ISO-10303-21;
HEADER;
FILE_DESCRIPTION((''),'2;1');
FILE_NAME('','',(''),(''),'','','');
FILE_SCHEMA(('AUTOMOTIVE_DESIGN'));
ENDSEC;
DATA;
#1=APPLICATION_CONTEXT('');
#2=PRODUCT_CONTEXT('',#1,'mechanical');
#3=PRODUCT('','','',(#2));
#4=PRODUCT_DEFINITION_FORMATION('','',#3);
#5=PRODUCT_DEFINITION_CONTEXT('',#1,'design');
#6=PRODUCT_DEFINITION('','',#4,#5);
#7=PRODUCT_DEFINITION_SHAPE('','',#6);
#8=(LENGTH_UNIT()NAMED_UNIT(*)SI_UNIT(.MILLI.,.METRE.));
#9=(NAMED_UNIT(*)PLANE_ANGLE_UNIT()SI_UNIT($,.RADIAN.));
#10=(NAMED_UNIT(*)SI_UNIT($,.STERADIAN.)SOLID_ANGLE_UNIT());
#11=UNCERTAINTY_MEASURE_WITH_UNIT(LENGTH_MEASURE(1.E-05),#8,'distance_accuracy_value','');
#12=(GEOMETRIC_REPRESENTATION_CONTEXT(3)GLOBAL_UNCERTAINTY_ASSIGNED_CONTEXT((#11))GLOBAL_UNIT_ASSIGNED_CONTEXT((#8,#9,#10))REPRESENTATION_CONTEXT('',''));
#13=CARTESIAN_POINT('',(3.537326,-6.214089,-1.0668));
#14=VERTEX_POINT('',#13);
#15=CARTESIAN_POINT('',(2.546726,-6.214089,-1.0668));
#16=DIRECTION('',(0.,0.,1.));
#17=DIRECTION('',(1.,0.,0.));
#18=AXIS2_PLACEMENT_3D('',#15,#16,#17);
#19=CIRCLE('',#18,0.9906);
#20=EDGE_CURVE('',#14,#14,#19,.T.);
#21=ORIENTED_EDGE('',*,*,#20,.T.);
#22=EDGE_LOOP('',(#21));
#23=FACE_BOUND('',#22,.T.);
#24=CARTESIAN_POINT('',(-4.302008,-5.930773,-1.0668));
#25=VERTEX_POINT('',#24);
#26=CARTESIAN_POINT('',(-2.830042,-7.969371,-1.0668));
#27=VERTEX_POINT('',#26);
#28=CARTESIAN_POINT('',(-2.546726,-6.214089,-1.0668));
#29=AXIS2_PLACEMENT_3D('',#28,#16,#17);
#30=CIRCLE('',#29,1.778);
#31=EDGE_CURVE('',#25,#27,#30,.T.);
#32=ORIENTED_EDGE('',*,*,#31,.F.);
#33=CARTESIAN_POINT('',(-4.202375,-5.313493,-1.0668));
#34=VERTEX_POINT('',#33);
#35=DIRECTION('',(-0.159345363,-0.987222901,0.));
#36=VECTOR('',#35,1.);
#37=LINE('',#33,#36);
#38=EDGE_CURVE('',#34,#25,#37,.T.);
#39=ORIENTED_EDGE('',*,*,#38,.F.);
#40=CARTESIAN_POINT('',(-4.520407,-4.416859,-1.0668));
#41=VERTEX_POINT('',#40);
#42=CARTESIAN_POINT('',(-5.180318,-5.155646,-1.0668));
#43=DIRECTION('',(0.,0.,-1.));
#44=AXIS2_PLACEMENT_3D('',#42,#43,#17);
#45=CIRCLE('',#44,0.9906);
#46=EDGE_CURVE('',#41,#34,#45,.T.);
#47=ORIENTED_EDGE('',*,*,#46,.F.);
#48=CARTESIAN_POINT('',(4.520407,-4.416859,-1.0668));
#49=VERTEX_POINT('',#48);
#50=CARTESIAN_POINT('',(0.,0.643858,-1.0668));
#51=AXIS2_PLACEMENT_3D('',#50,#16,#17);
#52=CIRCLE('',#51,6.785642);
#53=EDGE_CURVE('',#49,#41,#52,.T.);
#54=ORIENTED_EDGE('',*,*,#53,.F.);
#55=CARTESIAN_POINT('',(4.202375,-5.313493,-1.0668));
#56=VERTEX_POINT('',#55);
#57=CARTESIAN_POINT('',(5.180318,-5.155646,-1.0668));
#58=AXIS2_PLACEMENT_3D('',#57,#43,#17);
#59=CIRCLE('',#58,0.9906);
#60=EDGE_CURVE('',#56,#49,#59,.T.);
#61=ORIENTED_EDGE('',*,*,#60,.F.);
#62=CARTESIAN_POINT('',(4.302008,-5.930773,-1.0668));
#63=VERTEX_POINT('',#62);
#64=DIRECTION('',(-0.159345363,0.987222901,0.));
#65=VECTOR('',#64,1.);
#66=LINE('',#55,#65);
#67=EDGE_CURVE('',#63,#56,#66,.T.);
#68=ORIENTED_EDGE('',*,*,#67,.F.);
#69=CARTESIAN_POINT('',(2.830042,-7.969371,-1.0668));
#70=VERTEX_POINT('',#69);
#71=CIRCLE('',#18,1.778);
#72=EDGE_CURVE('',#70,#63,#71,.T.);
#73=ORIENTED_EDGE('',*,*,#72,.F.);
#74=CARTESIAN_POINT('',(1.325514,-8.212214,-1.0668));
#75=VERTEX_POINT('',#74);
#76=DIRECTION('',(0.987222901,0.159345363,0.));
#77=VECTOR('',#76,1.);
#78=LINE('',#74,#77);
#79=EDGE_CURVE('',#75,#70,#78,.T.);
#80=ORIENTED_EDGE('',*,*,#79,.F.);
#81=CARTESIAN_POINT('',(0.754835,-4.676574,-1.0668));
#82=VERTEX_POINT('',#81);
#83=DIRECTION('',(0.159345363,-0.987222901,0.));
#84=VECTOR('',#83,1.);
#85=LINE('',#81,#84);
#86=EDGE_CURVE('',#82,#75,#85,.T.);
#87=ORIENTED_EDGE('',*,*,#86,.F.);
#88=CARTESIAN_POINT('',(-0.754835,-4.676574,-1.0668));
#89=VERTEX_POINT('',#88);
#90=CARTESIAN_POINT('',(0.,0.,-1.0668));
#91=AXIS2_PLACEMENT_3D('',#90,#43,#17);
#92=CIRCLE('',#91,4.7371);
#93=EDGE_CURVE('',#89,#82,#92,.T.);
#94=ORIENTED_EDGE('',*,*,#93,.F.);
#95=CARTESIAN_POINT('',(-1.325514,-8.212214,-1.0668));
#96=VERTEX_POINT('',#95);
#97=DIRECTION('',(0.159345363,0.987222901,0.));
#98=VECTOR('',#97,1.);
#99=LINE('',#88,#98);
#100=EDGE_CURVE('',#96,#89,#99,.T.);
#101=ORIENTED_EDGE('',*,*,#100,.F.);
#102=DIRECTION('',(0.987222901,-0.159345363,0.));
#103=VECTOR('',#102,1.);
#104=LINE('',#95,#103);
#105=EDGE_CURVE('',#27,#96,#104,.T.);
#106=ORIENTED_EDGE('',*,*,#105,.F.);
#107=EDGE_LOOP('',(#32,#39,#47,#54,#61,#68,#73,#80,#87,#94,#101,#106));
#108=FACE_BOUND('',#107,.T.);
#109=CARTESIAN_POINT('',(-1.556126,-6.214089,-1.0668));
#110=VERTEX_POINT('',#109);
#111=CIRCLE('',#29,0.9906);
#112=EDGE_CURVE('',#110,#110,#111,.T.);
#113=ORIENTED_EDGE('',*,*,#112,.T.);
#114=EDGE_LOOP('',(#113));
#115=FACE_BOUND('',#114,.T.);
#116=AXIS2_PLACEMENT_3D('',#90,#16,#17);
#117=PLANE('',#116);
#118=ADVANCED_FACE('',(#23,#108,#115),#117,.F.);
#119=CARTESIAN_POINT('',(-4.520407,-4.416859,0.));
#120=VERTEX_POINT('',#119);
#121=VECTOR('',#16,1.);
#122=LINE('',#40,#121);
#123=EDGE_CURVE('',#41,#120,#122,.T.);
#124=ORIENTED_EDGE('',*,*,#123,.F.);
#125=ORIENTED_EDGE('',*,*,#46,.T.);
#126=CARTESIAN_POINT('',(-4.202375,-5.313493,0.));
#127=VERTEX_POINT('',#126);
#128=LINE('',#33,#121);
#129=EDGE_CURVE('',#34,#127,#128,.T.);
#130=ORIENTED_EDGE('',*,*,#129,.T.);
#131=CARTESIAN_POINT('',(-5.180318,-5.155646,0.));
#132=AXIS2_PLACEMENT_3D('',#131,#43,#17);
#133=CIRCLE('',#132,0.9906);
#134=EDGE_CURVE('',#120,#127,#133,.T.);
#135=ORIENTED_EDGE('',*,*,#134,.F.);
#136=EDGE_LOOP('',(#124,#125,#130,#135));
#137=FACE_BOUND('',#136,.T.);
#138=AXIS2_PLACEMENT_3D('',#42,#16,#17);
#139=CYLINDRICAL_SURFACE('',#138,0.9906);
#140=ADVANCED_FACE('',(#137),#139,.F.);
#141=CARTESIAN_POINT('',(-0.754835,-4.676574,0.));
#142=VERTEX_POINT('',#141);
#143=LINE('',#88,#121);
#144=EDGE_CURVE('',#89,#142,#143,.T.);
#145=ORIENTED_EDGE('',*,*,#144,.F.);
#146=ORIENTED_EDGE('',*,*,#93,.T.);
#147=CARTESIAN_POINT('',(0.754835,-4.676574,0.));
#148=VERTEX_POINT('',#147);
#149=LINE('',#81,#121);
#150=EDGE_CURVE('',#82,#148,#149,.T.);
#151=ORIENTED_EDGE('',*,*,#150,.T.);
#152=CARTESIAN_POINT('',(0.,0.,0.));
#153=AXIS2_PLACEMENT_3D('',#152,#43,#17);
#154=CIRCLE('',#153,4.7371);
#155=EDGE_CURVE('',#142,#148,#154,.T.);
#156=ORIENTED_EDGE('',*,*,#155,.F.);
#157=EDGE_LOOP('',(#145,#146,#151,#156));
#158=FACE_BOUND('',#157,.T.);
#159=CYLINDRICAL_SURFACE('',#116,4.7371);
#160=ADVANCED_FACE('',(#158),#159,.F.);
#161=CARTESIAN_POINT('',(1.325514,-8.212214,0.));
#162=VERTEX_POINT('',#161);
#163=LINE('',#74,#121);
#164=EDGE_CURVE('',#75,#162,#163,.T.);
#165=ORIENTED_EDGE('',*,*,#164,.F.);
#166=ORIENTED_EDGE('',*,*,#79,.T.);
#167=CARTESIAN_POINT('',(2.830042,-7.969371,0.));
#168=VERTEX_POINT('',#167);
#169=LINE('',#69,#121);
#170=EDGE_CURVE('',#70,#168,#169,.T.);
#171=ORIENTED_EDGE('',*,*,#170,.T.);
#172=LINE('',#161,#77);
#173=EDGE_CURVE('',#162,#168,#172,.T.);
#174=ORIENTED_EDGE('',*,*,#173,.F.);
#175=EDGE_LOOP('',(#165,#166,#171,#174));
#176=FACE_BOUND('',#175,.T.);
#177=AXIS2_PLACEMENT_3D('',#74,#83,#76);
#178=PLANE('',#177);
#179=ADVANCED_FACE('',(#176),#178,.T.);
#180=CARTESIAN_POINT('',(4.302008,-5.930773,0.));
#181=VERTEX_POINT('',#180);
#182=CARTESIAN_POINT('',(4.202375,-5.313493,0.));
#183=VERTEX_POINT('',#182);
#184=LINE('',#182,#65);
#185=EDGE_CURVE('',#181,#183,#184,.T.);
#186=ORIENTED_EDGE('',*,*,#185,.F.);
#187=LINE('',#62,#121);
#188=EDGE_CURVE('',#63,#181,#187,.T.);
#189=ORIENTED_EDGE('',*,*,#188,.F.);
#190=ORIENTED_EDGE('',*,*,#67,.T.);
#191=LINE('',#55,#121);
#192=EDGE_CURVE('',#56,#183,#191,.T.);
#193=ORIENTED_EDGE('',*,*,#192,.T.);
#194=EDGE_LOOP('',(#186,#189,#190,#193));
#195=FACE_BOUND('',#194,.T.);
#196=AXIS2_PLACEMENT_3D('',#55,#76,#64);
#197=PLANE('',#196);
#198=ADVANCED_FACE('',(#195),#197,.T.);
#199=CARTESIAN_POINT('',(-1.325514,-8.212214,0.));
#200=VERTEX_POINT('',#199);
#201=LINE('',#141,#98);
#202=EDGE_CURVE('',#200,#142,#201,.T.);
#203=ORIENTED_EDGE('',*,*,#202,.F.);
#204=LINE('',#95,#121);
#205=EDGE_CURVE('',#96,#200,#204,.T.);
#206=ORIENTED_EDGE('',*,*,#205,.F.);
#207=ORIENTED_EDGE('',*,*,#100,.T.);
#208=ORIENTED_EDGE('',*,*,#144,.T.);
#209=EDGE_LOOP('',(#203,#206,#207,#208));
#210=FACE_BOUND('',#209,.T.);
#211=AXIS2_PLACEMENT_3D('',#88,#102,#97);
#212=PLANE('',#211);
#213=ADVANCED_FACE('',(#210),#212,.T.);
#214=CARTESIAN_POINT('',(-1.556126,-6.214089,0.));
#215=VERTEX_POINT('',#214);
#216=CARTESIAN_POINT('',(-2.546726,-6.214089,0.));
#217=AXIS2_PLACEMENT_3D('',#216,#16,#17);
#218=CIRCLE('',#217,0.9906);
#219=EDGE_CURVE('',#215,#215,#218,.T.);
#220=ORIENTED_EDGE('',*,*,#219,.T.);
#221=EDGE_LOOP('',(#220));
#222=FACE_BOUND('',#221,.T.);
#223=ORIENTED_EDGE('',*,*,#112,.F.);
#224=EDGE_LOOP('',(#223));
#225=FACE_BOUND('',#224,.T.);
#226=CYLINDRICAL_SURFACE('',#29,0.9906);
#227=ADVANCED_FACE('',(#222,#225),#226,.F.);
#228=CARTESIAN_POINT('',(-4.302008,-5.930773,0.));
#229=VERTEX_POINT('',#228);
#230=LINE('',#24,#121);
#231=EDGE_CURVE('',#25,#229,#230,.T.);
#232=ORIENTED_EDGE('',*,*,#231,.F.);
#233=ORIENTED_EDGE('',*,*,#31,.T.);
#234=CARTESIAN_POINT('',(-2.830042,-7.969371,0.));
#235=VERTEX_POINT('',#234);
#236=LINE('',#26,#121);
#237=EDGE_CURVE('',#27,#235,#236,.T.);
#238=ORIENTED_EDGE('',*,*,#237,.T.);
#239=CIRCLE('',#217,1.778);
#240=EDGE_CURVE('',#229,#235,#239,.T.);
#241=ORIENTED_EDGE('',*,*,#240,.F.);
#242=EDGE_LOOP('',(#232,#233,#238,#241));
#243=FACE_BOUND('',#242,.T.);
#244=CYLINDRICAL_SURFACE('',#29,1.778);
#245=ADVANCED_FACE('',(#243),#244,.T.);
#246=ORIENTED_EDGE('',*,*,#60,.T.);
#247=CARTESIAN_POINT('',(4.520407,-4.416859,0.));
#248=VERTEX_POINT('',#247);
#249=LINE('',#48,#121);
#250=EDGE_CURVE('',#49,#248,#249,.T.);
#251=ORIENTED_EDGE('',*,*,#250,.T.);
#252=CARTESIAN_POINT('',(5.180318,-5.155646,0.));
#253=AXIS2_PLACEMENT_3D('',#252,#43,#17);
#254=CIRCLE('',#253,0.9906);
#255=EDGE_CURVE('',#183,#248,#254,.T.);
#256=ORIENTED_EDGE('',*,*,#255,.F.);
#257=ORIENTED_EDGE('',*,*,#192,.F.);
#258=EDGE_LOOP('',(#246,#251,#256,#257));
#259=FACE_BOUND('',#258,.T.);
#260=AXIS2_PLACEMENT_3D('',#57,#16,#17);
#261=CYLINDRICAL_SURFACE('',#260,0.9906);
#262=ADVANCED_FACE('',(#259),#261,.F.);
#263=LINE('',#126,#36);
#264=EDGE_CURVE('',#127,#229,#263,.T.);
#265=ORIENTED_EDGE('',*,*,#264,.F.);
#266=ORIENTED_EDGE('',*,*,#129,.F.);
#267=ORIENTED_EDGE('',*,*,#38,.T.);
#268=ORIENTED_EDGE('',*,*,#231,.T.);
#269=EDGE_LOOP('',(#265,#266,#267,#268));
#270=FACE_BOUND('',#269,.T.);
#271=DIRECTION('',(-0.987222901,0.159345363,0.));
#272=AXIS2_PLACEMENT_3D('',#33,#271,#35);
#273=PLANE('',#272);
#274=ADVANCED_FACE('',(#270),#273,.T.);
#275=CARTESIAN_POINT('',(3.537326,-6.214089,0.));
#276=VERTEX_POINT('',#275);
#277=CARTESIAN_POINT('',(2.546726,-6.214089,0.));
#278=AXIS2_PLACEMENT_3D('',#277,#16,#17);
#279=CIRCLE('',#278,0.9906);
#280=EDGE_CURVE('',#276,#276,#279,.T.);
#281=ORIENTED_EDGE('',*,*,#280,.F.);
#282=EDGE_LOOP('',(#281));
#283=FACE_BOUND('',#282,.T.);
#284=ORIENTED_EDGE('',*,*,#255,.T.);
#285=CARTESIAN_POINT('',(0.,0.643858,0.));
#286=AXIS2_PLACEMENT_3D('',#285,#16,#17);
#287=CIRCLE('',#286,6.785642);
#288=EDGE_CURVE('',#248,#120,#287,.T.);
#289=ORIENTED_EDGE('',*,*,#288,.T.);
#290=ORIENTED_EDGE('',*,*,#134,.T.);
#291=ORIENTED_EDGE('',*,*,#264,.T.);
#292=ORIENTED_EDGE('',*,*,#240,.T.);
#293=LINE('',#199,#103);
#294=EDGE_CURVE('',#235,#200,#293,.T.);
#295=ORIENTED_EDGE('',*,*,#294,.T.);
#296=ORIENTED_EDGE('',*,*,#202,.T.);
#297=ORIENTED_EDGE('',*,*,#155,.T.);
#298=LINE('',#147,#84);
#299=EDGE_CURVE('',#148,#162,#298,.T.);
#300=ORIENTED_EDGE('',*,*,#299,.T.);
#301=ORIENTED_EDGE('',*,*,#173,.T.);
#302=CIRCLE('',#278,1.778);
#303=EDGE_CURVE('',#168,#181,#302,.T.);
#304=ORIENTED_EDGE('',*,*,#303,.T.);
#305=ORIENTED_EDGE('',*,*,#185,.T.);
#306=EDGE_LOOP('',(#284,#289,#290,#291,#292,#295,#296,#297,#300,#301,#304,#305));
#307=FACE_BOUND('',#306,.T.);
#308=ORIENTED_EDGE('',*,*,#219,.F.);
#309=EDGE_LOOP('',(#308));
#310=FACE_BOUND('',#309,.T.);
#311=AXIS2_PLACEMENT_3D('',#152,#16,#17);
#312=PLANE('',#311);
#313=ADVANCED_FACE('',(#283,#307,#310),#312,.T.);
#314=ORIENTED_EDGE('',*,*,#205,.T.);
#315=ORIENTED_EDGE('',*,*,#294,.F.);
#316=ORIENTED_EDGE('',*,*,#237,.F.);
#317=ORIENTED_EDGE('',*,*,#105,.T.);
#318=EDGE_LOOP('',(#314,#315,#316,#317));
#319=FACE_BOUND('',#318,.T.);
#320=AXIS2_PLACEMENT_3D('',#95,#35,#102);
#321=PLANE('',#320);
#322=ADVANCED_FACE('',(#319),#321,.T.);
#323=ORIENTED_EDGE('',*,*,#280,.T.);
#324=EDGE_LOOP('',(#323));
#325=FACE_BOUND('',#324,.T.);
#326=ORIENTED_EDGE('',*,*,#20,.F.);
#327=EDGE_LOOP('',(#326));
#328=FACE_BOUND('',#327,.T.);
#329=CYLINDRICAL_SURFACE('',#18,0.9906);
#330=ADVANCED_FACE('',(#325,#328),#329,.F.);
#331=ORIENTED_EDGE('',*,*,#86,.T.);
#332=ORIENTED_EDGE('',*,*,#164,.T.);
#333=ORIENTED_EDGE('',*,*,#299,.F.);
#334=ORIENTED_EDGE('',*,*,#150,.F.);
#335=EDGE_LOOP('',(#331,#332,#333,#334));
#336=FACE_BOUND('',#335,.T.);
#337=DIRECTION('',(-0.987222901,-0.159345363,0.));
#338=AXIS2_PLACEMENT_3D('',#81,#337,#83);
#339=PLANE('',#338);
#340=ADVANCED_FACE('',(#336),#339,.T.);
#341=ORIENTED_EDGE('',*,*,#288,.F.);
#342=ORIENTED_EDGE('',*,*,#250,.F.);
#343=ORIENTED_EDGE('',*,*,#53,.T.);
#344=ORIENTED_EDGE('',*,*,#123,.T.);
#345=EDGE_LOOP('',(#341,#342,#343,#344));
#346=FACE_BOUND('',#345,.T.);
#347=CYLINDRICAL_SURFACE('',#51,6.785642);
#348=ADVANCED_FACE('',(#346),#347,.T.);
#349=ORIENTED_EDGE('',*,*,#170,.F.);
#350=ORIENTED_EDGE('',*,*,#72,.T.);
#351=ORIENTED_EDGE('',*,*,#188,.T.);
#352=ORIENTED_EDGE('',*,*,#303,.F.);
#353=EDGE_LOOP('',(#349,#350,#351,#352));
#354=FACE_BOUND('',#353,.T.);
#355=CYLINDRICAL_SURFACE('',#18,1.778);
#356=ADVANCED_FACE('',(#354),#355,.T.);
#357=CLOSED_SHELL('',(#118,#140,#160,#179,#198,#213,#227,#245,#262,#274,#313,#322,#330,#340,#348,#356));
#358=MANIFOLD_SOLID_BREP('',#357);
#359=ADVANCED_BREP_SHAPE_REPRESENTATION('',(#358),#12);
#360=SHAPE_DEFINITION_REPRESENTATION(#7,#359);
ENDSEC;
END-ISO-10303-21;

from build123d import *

# Parameters (mm, degrees)
BODY_DEPTH  = 1.0668
HOLSKE_R    = 0.9906
HOLES_DEPTH = 2.0668


with BuildPart() as part:
    # BodySke → Body (new body)
    with BuildSketch(Plane.XY):
        with BuildLine():
            Line((0.754834919, -4.676573602), (1.325514402, -8.212213698))
            Line((1.325514402, -8.212213698), (2.830042103, -7.969371365))
            ThreePointArc((2.830042103, -7.969371365), (3.988232781, -7.254926373), (4.302008364, -5.930772992))
            Line((4.302008364, -5.930772992), (4.202374684, -5.313493335))
            ThreePointArc((4.202374684, -5.313493335), (4.246706733, -4.824497903), (4.520407312, -4.416858533))
            ThreePointArc((4.520407312, -4.416858533), (0, 7.4295), (-4.520407312, -4.416858533))
            ThreePointArc((-4.520407312, -4.416858533), (-4.246706733, -4.824497903), (-4.202374684, -5.313493335))
            Line((-4.202374684, -5.313493335), (-4.302008364, -5.930772992))
            ThreePointArc((-4.302008364, -5.930772992), (-3.988232781, -7.254926373), (-2.830042103, -7.969371365))
            Line((-2.830042103, -7.969371365), (-1.325514402, -8.212213698))
            Line((-1.325514402, -8.212213698), (-0.754834919, -4.676573602))
            ThreePointArc((-0.754834919, -4.676573602), (0, 4.7371), (0.754834919, -4.676573602))
        make_face()
    extrude(amount=-BODY_DEPTH)

    # HolSke → Holes (cut, through all)
    with BuildSketch(Plane.XY):
        with Locations((2.546726047, -6.214089047)):
            Circle(HOLSKE_R)
        with Locations((-2.546726047, -6.214089047)):
            Circle(HOLSKE_R)
    extrude(amount=-HOLES_DEPTH, mode=Mode.SUBTRACT)


solid = part.part
